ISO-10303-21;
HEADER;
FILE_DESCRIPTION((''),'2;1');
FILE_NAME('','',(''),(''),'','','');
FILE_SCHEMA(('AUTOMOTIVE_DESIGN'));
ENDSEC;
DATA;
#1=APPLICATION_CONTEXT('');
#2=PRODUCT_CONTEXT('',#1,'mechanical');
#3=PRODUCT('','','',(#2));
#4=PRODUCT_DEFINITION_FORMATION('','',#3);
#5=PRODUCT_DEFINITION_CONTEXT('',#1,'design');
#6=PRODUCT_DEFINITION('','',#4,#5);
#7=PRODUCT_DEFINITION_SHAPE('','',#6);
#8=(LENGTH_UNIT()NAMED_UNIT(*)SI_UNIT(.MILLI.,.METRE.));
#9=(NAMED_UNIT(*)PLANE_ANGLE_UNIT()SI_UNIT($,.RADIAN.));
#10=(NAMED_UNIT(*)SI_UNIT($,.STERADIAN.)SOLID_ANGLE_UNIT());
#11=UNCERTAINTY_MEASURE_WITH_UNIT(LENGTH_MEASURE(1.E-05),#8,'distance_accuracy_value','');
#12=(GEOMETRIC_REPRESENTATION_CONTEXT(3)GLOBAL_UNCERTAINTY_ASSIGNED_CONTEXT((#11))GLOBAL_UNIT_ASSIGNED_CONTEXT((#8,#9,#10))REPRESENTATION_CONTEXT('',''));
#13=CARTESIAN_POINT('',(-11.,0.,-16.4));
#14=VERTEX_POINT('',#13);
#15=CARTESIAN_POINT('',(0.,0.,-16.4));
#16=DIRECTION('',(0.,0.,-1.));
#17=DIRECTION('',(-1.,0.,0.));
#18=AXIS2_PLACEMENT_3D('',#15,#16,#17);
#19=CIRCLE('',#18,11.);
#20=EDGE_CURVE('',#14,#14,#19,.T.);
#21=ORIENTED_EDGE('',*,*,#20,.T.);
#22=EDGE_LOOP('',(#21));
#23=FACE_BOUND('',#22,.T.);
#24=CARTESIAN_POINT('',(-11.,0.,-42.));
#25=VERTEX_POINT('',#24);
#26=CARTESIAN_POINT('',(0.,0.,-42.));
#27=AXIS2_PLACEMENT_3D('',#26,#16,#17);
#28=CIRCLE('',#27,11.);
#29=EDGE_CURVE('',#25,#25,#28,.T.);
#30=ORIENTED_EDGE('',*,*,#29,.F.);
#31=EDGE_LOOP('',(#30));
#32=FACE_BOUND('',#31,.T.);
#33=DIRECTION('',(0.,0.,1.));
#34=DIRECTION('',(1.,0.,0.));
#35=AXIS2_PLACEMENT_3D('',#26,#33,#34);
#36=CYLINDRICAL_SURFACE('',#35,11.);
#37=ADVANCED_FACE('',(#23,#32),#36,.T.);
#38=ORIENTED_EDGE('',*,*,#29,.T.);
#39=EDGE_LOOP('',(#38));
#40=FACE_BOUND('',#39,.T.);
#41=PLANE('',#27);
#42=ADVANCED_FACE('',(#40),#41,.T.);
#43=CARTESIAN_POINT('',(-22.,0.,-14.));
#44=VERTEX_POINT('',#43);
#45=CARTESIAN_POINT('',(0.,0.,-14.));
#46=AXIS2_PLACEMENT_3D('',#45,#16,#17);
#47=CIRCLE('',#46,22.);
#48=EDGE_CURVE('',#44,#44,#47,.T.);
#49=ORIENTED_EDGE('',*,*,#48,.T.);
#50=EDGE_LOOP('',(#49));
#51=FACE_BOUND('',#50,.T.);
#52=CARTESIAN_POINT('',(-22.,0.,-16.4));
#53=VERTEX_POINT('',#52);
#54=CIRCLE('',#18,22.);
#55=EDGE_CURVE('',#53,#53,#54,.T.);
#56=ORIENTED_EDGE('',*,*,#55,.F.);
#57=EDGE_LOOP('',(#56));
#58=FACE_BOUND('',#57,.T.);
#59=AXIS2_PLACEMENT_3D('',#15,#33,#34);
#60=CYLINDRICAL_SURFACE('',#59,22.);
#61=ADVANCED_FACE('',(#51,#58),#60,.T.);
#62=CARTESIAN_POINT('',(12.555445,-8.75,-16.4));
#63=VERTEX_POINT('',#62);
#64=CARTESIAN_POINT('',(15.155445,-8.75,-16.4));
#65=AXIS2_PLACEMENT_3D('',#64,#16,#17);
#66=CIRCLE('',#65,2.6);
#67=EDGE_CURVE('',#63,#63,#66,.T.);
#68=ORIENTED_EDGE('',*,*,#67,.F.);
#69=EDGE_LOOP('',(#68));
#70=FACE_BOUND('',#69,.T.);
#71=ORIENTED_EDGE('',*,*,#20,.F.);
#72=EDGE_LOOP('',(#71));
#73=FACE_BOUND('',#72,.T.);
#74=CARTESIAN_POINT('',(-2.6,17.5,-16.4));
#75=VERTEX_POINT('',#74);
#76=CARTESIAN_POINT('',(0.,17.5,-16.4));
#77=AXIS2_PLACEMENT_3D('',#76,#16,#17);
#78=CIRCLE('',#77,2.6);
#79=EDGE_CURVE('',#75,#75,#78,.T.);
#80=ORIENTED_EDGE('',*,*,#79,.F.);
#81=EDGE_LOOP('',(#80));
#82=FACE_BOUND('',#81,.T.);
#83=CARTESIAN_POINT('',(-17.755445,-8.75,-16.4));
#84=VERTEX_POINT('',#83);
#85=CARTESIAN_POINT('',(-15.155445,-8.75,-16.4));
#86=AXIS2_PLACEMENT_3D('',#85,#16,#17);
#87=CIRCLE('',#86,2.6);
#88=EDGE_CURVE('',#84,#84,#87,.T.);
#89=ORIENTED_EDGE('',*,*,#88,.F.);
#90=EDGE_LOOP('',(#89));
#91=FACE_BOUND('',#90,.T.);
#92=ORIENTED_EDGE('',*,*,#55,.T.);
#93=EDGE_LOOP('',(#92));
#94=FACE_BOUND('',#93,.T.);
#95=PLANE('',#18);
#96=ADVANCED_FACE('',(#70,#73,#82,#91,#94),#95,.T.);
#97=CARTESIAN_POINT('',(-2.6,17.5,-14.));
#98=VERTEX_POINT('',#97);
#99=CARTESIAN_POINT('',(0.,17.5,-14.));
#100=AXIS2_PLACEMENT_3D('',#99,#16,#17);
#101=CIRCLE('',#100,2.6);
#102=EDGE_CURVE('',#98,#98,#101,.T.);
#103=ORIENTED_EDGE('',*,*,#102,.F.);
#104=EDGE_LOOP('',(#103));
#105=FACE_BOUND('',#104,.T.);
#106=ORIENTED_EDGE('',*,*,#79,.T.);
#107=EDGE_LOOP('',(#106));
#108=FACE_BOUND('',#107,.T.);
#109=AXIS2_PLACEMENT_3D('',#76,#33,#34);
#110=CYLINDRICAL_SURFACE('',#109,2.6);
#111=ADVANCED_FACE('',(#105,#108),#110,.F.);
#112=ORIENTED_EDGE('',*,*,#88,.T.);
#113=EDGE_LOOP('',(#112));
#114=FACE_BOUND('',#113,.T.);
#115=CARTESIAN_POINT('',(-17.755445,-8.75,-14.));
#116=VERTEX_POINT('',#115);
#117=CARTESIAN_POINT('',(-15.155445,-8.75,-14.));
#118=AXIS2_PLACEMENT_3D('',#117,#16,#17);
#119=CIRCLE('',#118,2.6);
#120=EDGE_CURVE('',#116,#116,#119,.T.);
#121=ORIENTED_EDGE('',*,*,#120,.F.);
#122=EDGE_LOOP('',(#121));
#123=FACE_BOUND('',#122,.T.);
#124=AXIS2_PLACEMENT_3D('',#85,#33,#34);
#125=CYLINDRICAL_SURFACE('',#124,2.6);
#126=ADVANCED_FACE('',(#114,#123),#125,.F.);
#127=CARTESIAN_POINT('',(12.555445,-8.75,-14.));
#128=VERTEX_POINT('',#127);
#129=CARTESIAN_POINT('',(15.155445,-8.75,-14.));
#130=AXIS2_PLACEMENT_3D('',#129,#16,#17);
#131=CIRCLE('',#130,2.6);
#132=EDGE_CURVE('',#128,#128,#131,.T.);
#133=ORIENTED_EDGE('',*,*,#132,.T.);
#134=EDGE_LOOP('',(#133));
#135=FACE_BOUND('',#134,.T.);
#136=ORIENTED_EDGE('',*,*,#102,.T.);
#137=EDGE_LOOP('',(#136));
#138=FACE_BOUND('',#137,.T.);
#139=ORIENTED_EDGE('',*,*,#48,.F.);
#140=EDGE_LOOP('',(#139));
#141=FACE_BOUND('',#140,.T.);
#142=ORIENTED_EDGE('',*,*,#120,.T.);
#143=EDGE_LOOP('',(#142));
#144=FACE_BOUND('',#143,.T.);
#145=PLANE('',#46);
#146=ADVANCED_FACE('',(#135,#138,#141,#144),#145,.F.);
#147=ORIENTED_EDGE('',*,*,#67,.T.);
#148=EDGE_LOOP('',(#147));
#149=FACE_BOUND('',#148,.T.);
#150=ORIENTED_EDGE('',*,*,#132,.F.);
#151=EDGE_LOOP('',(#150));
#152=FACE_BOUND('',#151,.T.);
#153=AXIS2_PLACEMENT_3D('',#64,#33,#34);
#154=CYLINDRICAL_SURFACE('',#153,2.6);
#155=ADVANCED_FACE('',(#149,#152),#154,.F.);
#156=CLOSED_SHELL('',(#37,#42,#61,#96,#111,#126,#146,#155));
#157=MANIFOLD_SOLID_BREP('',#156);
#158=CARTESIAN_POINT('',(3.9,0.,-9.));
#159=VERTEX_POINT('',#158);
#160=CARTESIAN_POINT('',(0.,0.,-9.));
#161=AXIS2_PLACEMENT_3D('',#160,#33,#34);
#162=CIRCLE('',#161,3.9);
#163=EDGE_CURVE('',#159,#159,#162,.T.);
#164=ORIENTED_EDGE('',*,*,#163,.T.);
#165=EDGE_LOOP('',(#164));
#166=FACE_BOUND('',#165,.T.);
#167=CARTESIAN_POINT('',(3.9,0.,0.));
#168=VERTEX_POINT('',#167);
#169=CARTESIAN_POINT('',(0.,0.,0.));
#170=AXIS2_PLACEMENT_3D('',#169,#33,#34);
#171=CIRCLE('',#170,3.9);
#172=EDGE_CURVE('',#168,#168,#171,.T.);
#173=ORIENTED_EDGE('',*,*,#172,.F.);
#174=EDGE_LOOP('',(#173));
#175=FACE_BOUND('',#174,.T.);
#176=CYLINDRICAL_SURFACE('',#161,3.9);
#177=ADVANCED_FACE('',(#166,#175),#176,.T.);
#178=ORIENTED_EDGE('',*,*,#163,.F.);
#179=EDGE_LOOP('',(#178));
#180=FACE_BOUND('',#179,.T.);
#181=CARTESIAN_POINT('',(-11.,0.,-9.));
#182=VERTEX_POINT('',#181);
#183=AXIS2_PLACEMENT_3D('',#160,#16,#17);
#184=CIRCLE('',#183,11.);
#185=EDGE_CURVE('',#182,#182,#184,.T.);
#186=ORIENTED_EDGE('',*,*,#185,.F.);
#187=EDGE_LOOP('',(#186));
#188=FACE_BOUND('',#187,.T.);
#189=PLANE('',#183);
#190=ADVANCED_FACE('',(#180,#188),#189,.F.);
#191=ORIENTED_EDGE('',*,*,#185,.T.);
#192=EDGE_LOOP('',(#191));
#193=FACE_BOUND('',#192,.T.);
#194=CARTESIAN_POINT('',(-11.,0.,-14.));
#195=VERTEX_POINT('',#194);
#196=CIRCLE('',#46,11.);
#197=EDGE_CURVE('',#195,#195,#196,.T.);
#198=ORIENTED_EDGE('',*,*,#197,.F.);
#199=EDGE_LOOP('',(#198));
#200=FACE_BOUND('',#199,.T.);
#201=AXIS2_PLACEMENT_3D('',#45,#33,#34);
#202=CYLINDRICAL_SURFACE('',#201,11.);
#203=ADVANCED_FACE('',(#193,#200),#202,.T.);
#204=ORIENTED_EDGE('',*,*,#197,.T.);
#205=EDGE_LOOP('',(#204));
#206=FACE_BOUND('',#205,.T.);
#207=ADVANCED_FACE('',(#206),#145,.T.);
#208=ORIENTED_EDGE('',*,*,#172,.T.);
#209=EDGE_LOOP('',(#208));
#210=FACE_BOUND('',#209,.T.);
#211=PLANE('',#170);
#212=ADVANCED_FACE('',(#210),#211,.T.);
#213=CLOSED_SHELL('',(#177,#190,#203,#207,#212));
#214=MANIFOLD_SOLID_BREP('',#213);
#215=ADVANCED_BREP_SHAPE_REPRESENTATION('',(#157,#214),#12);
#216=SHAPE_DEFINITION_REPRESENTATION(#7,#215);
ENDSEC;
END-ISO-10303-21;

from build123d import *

# Parameters (mm, degrees)
SKETCH1_R           = 3.9
BOSS_EXTRUDE1_DEPTH = 9
SKETCH2_R           = 11
BOSS_EXTRUDE2_DEPTH = 5
SKETCH3_R           = 22
SKETCH3_R_2         = 2.6
SKETCH3_R_3         = 11
BOSS_EXTRUDE3_DEPTH = 2.4
SKETCH4_R           = 11
BOSS_EXTRUDE4_DEPTH = 25.6


with BuildPart() as part:
    # Sketch1 → Boss-Extrude1 (new body)
    with BuildSketch(Plane.XY):
        Circle(SKETCH1_R)
    extrude(amount=-BOSS_EXTRUDE1_DEPTH)

    # Sketch2 → Boss-Extrude2 (add)
    with BuildSketch(Plane(origin=(0, 0, -9), x_dir=(-1, 0, 0), z_dir=(0, 0, -1))):
        Circle(SKETCH2_R)
    extrude(amount=BOSS_EXTRUDE2_DEPTH)


with BuildPart() as body_2:
    # Sketch3 → Boss-Extrude3 (new body)
    # profile 1 of 2: a face of its own
    with BuildSketch(Plane(origin=(0, 0, -14), x_dir=(-1, 0, 0), z_dir=(0, 0, -1))):
        Circle(SKETCH3_R)
        with Locations((-15.155444566, -8.75)):
            Circle(SKETCH3_R_2, mode=Mode.SUBTRACT)
        with Locations((15.155444566, -8.75)):
            Circle(SKETCH3_R_2, mode=Mode.SUBTRACT)
        with Locations((0, 17.5)):
            Circle(SKETCH3_R_2, mode=Mode.SUBTRACT)
        Circle(SKETCH3_R_3, mode=Mode.SUBTRACT)
    # profile 2 of 2: a face of its own
    with BuildSketch(Plane(origin=(0, 0, -14), x_dir=(-1, 0, 0), z_dir=(0, 0, -1))):
        Circle(SKETCH3_R_3)
    extrude(amount=BOSS_EXTRUDE3_DEPTH)

    # Sketch4 → Boss-Extrude4 (add)
    with BuildSketch(Plane(origin=(0, 0, -16.4), x_dir=(-1, 0, 0), z_dir=(0, 0, -1))):
        Circle(SKETCH4_R)
    extrude(amount=BOSS_EXTRUDE4_DEPTH)


solid = Compound([part.part, body_2.part])
